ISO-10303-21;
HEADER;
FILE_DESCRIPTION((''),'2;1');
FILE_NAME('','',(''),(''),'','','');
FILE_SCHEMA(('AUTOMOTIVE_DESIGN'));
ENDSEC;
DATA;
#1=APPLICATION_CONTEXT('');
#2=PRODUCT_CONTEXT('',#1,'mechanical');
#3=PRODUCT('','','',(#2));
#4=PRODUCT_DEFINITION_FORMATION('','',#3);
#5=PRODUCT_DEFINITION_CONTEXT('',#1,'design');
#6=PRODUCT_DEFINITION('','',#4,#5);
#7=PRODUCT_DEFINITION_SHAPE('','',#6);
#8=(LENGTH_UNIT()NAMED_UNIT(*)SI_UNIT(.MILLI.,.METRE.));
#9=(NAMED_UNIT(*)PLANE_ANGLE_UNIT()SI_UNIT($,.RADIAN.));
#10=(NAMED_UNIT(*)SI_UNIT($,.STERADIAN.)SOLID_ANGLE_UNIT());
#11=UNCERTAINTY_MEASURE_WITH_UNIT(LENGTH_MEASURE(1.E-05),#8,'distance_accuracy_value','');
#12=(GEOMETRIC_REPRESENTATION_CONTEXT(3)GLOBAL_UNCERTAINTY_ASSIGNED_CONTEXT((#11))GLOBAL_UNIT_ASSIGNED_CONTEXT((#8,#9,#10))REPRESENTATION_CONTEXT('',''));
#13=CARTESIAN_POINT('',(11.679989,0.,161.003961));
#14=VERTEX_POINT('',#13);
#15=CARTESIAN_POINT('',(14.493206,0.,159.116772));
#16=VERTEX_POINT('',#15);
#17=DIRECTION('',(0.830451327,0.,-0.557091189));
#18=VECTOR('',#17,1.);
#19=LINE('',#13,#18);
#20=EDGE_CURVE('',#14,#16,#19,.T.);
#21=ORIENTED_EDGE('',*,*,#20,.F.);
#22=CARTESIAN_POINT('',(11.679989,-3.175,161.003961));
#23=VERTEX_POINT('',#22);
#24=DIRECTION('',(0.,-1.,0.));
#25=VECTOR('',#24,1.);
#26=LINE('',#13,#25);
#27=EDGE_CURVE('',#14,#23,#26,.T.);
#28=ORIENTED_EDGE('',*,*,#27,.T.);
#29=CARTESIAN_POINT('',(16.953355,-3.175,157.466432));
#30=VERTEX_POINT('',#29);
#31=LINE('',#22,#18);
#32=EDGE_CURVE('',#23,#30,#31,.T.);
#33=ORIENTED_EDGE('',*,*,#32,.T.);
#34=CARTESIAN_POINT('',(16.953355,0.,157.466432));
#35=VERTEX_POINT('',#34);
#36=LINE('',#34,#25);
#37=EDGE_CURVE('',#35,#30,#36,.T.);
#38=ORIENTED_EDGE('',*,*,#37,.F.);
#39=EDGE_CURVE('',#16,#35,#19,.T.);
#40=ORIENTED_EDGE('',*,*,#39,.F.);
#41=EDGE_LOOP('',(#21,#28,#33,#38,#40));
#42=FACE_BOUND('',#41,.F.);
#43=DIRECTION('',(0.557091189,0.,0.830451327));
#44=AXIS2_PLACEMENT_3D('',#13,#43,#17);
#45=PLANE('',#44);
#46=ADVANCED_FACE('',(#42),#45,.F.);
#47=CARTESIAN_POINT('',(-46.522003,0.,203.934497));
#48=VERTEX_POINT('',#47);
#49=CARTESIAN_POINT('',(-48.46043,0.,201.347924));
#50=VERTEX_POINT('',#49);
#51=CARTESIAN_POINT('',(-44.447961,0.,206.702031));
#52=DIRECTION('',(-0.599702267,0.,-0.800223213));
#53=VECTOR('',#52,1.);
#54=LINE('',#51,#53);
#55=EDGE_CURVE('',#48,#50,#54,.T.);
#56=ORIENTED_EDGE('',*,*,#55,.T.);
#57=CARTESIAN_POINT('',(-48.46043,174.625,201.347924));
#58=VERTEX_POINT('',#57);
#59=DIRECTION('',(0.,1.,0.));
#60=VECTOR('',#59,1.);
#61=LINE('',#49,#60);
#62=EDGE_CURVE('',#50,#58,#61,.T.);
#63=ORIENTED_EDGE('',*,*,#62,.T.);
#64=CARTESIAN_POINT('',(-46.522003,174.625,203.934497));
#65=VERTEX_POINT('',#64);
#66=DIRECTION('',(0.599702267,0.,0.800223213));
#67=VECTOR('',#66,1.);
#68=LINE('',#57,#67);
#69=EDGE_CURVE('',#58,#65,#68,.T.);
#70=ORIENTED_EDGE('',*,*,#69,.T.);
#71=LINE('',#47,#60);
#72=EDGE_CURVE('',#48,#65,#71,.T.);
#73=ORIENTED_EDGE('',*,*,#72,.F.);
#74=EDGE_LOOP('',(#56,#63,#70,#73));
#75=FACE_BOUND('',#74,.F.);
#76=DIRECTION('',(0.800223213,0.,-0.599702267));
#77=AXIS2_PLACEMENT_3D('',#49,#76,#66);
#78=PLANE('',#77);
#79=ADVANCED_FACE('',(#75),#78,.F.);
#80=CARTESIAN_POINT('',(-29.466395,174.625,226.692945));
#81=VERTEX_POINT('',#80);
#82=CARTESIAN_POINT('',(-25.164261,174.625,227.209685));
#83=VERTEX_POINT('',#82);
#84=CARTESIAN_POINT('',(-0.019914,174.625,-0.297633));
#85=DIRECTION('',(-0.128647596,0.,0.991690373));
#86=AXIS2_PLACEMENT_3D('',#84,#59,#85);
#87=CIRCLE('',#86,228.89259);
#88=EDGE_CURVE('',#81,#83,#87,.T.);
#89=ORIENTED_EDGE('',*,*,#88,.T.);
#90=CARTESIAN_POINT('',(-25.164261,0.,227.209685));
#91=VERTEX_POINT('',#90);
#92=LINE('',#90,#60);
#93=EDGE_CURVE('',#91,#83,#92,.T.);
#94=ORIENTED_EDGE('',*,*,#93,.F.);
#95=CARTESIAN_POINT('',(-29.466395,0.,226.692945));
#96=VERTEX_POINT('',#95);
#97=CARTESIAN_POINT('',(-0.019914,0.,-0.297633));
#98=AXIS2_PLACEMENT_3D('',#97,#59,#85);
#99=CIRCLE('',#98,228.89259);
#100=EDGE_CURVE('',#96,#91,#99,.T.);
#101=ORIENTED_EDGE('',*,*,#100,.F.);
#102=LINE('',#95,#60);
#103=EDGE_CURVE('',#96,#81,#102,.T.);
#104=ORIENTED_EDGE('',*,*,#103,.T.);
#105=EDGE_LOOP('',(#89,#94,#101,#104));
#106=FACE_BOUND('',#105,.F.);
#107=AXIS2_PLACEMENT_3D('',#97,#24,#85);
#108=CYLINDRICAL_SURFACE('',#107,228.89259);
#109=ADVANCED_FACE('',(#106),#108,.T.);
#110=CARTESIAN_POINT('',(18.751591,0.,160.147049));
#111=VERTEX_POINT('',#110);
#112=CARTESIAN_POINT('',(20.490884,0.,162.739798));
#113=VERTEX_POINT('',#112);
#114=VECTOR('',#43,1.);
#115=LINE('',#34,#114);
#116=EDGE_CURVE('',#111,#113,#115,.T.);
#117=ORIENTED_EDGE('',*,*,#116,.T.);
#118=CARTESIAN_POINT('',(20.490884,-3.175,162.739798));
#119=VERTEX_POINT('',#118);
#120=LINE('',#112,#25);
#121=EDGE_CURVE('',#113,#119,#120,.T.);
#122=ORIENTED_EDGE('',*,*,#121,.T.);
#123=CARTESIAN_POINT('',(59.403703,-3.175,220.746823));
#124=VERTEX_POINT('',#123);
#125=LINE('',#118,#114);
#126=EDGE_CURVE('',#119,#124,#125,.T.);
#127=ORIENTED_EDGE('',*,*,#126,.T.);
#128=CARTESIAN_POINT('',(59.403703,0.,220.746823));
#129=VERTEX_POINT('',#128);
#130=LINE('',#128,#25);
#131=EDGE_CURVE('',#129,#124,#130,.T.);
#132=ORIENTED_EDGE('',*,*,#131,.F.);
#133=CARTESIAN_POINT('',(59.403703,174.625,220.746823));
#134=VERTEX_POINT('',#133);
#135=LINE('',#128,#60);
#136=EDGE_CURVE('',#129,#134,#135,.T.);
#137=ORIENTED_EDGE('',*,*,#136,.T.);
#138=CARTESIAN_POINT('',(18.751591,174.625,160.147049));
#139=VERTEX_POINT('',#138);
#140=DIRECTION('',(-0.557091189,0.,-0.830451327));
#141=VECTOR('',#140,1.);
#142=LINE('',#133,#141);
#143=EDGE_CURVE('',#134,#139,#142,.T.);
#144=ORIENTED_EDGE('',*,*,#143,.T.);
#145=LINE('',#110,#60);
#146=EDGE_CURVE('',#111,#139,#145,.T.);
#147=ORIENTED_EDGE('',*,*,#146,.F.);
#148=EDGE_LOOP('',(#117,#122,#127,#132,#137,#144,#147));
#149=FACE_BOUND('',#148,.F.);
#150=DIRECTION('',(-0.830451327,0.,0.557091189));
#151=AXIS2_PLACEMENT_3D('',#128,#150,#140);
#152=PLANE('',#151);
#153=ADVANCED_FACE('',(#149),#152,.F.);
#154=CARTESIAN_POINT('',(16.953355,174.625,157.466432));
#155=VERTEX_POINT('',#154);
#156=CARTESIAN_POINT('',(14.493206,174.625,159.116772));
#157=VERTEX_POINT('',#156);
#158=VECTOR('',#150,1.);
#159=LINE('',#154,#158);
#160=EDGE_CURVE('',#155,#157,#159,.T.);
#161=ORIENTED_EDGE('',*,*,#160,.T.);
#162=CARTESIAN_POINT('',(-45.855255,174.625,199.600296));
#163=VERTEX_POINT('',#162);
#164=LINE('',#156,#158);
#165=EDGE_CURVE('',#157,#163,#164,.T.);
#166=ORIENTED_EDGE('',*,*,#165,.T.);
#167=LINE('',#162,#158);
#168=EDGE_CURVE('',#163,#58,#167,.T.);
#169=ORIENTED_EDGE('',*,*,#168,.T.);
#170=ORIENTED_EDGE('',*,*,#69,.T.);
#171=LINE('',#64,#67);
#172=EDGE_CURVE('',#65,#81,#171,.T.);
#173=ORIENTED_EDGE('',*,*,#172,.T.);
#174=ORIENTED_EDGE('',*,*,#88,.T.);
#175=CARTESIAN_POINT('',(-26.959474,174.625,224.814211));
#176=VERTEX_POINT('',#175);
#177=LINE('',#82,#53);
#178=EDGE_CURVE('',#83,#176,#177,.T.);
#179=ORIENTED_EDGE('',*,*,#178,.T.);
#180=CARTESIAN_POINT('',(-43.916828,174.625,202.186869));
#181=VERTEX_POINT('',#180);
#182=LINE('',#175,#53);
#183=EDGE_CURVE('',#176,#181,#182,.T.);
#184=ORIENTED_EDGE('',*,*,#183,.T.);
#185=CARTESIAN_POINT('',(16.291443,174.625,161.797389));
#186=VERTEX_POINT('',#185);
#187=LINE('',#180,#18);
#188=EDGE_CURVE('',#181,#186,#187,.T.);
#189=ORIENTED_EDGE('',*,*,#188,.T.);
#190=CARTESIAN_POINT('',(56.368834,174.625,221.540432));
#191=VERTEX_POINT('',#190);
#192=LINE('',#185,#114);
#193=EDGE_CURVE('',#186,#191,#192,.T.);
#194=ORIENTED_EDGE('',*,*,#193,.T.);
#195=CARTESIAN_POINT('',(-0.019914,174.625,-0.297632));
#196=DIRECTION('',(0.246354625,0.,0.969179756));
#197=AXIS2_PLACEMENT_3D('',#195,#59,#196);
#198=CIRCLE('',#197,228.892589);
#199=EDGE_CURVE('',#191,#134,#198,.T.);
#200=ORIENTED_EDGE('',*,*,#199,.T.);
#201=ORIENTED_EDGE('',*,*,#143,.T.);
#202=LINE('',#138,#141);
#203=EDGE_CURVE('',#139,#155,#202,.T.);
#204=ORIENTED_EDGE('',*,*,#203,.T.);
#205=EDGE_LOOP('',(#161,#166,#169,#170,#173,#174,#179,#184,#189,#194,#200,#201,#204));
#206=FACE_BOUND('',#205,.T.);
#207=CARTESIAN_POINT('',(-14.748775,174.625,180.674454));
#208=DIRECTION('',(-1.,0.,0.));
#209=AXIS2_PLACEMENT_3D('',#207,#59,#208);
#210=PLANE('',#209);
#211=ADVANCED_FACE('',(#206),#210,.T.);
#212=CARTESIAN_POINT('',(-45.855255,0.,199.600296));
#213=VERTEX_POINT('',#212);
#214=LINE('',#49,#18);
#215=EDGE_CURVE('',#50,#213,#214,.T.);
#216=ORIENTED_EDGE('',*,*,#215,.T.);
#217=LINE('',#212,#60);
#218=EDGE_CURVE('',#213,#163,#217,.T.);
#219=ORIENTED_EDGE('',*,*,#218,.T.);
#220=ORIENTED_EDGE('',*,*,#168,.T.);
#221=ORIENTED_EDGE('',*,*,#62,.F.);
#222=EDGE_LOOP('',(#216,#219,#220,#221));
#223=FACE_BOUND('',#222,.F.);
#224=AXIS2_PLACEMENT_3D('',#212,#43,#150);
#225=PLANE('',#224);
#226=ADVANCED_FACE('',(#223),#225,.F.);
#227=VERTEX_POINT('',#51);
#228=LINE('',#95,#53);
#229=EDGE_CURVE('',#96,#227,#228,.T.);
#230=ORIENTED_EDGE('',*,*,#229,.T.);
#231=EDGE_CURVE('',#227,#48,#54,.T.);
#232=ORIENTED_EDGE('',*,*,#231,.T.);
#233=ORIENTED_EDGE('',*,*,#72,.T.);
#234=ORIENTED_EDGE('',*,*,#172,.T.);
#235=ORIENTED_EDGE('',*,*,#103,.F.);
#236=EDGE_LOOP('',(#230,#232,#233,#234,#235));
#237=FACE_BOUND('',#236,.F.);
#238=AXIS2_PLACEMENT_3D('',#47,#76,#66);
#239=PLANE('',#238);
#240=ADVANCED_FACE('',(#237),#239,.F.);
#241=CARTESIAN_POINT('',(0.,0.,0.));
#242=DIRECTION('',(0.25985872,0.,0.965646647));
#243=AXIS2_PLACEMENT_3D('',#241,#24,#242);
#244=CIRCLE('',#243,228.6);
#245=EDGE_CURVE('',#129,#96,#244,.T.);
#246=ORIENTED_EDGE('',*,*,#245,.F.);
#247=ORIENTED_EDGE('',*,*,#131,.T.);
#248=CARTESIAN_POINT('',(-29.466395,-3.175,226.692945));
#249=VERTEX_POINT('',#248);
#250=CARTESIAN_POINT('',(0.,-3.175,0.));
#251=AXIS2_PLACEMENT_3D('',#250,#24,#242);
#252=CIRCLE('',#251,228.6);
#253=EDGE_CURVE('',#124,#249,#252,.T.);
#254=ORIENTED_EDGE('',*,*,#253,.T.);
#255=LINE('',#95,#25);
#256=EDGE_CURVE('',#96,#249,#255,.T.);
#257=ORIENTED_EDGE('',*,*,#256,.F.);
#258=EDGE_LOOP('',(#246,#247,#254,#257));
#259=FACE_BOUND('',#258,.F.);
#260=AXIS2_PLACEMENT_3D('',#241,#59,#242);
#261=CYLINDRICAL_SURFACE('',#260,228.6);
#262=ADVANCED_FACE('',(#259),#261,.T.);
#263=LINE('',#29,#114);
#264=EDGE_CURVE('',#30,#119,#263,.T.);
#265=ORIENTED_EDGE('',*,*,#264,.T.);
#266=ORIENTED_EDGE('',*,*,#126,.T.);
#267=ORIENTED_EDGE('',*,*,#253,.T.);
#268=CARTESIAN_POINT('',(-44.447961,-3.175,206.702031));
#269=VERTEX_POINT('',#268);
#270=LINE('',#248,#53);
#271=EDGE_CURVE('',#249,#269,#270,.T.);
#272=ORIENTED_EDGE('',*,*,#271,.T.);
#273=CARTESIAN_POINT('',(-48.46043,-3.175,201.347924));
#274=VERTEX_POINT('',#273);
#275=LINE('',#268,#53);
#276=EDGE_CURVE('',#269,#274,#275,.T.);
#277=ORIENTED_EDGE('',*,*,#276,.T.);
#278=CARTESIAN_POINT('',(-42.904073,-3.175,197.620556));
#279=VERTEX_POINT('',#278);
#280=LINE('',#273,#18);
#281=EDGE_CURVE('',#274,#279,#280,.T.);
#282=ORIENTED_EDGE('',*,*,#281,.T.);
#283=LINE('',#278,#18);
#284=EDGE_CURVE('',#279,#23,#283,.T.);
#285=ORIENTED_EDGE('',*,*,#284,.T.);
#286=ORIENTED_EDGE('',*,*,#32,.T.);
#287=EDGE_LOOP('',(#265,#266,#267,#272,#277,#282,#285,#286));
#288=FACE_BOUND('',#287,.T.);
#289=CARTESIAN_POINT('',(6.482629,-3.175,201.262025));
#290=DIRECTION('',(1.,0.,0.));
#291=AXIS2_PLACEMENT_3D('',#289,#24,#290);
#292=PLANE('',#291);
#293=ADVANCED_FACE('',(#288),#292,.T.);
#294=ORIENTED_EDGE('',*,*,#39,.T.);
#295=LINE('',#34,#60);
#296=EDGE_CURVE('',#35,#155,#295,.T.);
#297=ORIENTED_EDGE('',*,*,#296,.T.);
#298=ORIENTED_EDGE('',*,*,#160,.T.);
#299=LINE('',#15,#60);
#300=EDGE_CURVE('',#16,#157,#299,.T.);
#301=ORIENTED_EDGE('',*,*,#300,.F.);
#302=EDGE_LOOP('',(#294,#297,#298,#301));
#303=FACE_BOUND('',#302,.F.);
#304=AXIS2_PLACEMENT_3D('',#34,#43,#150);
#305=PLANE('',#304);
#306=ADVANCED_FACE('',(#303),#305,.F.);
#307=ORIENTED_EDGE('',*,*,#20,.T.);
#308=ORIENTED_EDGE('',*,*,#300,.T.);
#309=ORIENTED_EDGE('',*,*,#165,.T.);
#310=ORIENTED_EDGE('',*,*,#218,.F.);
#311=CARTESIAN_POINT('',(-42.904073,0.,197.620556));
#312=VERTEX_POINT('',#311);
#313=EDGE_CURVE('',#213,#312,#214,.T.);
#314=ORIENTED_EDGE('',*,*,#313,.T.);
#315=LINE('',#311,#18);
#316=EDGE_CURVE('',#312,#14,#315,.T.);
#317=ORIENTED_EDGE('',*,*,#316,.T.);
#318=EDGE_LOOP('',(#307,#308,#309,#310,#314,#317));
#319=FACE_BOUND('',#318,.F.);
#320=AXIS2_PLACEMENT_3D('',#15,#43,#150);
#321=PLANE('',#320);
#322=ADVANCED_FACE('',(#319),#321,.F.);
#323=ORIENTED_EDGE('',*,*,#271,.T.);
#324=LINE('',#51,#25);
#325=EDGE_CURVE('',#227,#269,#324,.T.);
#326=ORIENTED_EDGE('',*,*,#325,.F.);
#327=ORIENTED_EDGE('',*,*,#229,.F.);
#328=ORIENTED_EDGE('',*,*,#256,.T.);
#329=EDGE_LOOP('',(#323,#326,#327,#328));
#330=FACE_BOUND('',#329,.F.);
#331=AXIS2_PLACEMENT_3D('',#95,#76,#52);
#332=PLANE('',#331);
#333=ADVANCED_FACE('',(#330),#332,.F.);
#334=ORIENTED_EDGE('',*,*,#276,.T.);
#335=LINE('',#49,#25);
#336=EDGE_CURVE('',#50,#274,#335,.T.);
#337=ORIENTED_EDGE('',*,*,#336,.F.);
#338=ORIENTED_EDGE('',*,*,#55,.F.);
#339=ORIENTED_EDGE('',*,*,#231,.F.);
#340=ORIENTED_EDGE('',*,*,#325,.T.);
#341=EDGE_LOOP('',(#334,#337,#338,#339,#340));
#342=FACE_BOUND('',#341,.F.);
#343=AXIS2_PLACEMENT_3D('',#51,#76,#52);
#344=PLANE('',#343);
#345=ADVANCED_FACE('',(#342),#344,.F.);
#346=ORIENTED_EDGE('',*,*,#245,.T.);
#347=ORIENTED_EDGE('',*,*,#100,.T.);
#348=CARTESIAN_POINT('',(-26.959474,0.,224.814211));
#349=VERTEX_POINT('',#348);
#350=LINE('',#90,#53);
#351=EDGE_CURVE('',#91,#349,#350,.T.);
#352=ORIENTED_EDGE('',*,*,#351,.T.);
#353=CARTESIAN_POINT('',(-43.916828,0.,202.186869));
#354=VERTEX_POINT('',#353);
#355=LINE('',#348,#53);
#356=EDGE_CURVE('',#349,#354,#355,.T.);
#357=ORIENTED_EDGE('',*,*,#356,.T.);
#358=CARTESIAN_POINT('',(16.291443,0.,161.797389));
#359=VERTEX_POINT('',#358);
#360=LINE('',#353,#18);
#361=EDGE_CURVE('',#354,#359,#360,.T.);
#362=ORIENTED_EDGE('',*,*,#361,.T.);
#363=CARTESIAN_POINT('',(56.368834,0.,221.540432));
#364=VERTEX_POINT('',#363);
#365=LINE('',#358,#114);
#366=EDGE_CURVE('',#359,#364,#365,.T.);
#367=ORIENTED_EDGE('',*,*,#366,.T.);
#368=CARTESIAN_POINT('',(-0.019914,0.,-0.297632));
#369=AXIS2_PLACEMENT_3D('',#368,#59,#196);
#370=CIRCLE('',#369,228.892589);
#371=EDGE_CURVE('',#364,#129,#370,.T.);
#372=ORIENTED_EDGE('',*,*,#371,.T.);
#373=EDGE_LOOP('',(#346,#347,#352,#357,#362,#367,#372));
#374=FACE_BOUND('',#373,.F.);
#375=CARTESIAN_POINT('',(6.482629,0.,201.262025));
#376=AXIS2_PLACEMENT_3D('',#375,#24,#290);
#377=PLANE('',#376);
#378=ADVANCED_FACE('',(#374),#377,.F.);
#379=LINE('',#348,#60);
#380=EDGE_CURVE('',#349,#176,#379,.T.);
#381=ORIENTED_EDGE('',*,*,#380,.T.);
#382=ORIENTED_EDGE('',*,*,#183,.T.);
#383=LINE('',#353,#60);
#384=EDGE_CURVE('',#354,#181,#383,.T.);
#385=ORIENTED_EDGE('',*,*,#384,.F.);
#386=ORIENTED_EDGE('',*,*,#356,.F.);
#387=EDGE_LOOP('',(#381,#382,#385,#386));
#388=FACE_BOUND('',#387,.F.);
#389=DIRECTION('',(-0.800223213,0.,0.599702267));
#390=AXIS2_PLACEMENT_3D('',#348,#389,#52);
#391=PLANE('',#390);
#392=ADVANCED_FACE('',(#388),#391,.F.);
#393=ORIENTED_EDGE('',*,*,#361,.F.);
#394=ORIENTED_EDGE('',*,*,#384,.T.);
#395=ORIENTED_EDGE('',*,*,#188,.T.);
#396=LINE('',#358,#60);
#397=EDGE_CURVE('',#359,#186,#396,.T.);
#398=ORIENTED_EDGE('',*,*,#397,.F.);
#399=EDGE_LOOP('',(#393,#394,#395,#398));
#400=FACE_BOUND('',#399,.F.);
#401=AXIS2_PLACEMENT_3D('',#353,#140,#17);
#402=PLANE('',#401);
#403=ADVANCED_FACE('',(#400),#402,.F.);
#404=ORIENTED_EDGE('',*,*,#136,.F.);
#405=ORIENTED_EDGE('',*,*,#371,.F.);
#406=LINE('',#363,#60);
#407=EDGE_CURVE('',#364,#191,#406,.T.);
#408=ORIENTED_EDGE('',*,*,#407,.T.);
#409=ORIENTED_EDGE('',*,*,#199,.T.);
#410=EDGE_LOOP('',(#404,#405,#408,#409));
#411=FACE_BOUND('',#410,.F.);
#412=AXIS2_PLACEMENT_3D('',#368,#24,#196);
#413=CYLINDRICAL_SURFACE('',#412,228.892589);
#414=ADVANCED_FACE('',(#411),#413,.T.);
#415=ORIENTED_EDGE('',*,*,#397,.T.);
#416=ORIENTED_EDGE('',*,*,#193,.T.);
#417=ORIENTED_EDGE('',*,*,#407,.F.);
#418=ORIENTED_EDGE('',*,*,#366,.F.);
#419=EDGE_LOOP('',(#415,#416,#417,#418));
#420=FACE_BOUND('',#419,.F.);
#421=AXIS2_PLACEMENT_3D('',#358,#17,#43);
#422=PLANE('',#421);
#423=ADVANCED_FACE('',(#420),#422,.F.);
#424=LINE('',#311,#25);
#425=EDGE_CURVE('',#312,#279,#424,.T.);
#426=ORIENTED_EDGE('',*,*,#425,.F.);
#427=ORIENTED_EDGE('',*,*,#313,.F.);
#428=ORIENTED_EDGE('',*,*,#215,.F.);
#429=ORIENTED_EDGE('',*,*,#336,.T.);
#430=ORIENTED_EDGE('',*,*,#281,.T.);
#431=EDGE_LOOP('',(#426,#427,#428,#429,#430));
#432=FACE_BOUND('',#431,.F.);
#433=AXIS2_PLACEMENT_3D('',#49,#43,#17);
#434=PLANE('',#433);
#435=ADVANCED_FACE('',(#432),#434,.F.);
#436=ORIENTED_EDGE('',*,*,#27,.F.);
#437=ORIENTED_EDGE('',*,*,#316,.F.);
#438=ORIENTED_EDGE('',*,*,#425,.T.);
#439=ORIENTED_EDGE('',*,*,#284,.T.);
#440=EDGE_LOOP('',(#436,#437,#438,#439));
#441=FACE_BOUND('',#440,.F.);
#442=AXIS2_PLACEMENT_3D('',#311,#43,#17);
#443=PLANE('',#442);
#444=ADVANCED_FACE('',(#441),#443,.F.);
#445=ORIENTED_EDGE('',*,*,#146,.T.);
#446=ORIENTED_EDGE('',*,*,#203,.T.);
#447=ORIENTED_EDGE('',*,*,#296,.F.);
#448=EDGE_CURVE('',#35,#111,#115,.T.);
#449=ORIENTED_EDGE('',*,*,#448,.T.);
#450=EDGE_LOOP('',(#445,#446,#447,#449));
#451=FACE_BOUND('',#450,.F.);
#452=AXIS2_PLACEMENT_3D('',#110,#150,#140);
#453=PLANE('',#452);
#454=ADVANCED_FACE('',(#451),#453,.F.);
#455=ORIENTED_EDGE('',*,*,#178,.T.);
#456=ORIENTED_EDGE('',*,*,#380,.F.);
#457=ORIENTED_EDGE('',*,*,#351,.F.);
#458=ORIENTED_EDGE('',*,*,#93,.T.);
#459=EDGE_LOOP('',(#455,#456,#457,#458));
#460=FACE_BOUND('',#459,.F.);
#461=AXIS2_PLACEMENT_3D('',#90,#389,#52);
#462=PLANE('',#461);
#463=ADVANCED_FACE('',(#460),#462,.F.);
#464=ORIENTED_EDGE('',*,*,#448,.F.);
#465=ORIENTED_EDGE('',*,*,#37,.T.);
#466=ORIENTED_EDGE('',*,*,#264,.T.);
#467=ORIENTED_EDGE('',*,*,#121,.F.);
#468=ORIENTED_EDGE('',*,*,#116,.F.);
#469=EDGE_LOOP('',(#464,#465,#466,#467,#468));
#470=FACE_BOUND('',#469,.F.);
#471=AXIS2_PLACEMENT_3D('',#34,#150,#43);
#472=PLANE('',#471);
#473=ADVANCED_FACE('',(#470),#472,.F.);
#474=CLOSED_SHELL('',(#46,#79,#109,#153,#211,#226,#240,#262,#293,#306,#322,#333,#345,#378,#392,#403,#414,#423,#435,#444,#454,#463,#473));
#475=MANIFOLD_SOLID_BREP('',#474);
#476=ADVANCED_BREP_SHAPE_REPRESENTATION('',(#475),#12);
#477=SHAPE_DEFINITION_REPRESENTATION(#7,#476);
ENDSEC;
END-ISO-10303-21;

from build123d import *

# Parameters (mm, degrees)
F1_DEPTH = 3.175
F3_DEPTH = 174.625


with BuildPart() as f1:
    # F0 (on Front) → F1 (new body)
    with BuildSketch(Plane.XZ):
        with BuildLine():
            Line((20.4908837134, 162.7397981819), (59.4037032784, 220.7468233901))
            ThreePointArc((59.4037032784, 220.7468233901), (15.2610514505, 228.0900267627), (-29.4663954931, 226.6929454938))
            Line((-29.4663954931, 226.6929454938), (-44.4479610539, 206.7020313656))
            Line((-44.4479610539, 206.7020313656), (-48.4604295981, 201.3479237602))
            Line((-48.4604295981, 201.3479237602), (-42.9040727029, 197.6205560401))
            Line((-42.9040727029, 197.6205560401), (11.679988734, 161.0039613053))
            Line((11.679988734, 161.0039613053), (16.953354662, 157.4664322539))
            Line((16.953354662, 157.4664322539), (20.4908837134, 162.7397981819))
        make_face()
    extrude(amount=F1_DEPTH)

    # F2 (on face) → F3 (join)
    with BuildSketch(Plane(origin=(0, 0, 0), x_dir=(-1, 0, 0), z_dir=(0, 1, 0))):
        Polygon((45.8552547108, 199.6002957797), (43.9168284375, 202.1868687929), (-16.291442731, 161.7973886585), (-14.4932063045, 159.1167721704), align=None)
        Polygon((-16.291442731, 161.7973886585), (-18.7515910885, 160.1470487419), (-16.953354662, 157.4664322539), (-14.4932063045, 159.1167721704), align=None)
        with BuildLine():
            ThreePointArc((-56.3688343066, 221.540431938), (-57.8876283346, 221.1488267412), (-59.4037032784, 220.7468233901))
            Line((-59.4037032784, 220.7468233901), (-18.7515910885, 160.1470487419))
            Line((-18.7515910885, 160.1470487419), (-16.291442731, 161.7973886585))
            Line((-16.291442731, 161.7973886585), (-56.3688343066, 221.540431938))
        make_face()
        Polygon((48.4604295981, 201.3479237602), (46.5220033247, 203.9344967734), (43.9168284375, 202.1868687929), (45.8552547108, 199.6002957797), align=None)
        Polygon((46.5220033247, 203.9344967734), (29.4663954931, 226.6929454938), (26.9594739117, 224.8142114956), (43.9168284375, 202.1868687929), align=None)
        with BuildLine():
            Line((26.9594739117, 224.8142114956), (29.4663954931, 226.6929454938))
            ThreePointArc((29.4663954931, 226.6929454938), (27.3165510867, 226.9614957509), (25.1642610874, 227.2096851372))
            Line((25.1642610874, 227.2096851372), (26.9594739117, 224.8142114956))
        make_face()
    extrude(amount=F3_DEPTH)


solid = f1.part
